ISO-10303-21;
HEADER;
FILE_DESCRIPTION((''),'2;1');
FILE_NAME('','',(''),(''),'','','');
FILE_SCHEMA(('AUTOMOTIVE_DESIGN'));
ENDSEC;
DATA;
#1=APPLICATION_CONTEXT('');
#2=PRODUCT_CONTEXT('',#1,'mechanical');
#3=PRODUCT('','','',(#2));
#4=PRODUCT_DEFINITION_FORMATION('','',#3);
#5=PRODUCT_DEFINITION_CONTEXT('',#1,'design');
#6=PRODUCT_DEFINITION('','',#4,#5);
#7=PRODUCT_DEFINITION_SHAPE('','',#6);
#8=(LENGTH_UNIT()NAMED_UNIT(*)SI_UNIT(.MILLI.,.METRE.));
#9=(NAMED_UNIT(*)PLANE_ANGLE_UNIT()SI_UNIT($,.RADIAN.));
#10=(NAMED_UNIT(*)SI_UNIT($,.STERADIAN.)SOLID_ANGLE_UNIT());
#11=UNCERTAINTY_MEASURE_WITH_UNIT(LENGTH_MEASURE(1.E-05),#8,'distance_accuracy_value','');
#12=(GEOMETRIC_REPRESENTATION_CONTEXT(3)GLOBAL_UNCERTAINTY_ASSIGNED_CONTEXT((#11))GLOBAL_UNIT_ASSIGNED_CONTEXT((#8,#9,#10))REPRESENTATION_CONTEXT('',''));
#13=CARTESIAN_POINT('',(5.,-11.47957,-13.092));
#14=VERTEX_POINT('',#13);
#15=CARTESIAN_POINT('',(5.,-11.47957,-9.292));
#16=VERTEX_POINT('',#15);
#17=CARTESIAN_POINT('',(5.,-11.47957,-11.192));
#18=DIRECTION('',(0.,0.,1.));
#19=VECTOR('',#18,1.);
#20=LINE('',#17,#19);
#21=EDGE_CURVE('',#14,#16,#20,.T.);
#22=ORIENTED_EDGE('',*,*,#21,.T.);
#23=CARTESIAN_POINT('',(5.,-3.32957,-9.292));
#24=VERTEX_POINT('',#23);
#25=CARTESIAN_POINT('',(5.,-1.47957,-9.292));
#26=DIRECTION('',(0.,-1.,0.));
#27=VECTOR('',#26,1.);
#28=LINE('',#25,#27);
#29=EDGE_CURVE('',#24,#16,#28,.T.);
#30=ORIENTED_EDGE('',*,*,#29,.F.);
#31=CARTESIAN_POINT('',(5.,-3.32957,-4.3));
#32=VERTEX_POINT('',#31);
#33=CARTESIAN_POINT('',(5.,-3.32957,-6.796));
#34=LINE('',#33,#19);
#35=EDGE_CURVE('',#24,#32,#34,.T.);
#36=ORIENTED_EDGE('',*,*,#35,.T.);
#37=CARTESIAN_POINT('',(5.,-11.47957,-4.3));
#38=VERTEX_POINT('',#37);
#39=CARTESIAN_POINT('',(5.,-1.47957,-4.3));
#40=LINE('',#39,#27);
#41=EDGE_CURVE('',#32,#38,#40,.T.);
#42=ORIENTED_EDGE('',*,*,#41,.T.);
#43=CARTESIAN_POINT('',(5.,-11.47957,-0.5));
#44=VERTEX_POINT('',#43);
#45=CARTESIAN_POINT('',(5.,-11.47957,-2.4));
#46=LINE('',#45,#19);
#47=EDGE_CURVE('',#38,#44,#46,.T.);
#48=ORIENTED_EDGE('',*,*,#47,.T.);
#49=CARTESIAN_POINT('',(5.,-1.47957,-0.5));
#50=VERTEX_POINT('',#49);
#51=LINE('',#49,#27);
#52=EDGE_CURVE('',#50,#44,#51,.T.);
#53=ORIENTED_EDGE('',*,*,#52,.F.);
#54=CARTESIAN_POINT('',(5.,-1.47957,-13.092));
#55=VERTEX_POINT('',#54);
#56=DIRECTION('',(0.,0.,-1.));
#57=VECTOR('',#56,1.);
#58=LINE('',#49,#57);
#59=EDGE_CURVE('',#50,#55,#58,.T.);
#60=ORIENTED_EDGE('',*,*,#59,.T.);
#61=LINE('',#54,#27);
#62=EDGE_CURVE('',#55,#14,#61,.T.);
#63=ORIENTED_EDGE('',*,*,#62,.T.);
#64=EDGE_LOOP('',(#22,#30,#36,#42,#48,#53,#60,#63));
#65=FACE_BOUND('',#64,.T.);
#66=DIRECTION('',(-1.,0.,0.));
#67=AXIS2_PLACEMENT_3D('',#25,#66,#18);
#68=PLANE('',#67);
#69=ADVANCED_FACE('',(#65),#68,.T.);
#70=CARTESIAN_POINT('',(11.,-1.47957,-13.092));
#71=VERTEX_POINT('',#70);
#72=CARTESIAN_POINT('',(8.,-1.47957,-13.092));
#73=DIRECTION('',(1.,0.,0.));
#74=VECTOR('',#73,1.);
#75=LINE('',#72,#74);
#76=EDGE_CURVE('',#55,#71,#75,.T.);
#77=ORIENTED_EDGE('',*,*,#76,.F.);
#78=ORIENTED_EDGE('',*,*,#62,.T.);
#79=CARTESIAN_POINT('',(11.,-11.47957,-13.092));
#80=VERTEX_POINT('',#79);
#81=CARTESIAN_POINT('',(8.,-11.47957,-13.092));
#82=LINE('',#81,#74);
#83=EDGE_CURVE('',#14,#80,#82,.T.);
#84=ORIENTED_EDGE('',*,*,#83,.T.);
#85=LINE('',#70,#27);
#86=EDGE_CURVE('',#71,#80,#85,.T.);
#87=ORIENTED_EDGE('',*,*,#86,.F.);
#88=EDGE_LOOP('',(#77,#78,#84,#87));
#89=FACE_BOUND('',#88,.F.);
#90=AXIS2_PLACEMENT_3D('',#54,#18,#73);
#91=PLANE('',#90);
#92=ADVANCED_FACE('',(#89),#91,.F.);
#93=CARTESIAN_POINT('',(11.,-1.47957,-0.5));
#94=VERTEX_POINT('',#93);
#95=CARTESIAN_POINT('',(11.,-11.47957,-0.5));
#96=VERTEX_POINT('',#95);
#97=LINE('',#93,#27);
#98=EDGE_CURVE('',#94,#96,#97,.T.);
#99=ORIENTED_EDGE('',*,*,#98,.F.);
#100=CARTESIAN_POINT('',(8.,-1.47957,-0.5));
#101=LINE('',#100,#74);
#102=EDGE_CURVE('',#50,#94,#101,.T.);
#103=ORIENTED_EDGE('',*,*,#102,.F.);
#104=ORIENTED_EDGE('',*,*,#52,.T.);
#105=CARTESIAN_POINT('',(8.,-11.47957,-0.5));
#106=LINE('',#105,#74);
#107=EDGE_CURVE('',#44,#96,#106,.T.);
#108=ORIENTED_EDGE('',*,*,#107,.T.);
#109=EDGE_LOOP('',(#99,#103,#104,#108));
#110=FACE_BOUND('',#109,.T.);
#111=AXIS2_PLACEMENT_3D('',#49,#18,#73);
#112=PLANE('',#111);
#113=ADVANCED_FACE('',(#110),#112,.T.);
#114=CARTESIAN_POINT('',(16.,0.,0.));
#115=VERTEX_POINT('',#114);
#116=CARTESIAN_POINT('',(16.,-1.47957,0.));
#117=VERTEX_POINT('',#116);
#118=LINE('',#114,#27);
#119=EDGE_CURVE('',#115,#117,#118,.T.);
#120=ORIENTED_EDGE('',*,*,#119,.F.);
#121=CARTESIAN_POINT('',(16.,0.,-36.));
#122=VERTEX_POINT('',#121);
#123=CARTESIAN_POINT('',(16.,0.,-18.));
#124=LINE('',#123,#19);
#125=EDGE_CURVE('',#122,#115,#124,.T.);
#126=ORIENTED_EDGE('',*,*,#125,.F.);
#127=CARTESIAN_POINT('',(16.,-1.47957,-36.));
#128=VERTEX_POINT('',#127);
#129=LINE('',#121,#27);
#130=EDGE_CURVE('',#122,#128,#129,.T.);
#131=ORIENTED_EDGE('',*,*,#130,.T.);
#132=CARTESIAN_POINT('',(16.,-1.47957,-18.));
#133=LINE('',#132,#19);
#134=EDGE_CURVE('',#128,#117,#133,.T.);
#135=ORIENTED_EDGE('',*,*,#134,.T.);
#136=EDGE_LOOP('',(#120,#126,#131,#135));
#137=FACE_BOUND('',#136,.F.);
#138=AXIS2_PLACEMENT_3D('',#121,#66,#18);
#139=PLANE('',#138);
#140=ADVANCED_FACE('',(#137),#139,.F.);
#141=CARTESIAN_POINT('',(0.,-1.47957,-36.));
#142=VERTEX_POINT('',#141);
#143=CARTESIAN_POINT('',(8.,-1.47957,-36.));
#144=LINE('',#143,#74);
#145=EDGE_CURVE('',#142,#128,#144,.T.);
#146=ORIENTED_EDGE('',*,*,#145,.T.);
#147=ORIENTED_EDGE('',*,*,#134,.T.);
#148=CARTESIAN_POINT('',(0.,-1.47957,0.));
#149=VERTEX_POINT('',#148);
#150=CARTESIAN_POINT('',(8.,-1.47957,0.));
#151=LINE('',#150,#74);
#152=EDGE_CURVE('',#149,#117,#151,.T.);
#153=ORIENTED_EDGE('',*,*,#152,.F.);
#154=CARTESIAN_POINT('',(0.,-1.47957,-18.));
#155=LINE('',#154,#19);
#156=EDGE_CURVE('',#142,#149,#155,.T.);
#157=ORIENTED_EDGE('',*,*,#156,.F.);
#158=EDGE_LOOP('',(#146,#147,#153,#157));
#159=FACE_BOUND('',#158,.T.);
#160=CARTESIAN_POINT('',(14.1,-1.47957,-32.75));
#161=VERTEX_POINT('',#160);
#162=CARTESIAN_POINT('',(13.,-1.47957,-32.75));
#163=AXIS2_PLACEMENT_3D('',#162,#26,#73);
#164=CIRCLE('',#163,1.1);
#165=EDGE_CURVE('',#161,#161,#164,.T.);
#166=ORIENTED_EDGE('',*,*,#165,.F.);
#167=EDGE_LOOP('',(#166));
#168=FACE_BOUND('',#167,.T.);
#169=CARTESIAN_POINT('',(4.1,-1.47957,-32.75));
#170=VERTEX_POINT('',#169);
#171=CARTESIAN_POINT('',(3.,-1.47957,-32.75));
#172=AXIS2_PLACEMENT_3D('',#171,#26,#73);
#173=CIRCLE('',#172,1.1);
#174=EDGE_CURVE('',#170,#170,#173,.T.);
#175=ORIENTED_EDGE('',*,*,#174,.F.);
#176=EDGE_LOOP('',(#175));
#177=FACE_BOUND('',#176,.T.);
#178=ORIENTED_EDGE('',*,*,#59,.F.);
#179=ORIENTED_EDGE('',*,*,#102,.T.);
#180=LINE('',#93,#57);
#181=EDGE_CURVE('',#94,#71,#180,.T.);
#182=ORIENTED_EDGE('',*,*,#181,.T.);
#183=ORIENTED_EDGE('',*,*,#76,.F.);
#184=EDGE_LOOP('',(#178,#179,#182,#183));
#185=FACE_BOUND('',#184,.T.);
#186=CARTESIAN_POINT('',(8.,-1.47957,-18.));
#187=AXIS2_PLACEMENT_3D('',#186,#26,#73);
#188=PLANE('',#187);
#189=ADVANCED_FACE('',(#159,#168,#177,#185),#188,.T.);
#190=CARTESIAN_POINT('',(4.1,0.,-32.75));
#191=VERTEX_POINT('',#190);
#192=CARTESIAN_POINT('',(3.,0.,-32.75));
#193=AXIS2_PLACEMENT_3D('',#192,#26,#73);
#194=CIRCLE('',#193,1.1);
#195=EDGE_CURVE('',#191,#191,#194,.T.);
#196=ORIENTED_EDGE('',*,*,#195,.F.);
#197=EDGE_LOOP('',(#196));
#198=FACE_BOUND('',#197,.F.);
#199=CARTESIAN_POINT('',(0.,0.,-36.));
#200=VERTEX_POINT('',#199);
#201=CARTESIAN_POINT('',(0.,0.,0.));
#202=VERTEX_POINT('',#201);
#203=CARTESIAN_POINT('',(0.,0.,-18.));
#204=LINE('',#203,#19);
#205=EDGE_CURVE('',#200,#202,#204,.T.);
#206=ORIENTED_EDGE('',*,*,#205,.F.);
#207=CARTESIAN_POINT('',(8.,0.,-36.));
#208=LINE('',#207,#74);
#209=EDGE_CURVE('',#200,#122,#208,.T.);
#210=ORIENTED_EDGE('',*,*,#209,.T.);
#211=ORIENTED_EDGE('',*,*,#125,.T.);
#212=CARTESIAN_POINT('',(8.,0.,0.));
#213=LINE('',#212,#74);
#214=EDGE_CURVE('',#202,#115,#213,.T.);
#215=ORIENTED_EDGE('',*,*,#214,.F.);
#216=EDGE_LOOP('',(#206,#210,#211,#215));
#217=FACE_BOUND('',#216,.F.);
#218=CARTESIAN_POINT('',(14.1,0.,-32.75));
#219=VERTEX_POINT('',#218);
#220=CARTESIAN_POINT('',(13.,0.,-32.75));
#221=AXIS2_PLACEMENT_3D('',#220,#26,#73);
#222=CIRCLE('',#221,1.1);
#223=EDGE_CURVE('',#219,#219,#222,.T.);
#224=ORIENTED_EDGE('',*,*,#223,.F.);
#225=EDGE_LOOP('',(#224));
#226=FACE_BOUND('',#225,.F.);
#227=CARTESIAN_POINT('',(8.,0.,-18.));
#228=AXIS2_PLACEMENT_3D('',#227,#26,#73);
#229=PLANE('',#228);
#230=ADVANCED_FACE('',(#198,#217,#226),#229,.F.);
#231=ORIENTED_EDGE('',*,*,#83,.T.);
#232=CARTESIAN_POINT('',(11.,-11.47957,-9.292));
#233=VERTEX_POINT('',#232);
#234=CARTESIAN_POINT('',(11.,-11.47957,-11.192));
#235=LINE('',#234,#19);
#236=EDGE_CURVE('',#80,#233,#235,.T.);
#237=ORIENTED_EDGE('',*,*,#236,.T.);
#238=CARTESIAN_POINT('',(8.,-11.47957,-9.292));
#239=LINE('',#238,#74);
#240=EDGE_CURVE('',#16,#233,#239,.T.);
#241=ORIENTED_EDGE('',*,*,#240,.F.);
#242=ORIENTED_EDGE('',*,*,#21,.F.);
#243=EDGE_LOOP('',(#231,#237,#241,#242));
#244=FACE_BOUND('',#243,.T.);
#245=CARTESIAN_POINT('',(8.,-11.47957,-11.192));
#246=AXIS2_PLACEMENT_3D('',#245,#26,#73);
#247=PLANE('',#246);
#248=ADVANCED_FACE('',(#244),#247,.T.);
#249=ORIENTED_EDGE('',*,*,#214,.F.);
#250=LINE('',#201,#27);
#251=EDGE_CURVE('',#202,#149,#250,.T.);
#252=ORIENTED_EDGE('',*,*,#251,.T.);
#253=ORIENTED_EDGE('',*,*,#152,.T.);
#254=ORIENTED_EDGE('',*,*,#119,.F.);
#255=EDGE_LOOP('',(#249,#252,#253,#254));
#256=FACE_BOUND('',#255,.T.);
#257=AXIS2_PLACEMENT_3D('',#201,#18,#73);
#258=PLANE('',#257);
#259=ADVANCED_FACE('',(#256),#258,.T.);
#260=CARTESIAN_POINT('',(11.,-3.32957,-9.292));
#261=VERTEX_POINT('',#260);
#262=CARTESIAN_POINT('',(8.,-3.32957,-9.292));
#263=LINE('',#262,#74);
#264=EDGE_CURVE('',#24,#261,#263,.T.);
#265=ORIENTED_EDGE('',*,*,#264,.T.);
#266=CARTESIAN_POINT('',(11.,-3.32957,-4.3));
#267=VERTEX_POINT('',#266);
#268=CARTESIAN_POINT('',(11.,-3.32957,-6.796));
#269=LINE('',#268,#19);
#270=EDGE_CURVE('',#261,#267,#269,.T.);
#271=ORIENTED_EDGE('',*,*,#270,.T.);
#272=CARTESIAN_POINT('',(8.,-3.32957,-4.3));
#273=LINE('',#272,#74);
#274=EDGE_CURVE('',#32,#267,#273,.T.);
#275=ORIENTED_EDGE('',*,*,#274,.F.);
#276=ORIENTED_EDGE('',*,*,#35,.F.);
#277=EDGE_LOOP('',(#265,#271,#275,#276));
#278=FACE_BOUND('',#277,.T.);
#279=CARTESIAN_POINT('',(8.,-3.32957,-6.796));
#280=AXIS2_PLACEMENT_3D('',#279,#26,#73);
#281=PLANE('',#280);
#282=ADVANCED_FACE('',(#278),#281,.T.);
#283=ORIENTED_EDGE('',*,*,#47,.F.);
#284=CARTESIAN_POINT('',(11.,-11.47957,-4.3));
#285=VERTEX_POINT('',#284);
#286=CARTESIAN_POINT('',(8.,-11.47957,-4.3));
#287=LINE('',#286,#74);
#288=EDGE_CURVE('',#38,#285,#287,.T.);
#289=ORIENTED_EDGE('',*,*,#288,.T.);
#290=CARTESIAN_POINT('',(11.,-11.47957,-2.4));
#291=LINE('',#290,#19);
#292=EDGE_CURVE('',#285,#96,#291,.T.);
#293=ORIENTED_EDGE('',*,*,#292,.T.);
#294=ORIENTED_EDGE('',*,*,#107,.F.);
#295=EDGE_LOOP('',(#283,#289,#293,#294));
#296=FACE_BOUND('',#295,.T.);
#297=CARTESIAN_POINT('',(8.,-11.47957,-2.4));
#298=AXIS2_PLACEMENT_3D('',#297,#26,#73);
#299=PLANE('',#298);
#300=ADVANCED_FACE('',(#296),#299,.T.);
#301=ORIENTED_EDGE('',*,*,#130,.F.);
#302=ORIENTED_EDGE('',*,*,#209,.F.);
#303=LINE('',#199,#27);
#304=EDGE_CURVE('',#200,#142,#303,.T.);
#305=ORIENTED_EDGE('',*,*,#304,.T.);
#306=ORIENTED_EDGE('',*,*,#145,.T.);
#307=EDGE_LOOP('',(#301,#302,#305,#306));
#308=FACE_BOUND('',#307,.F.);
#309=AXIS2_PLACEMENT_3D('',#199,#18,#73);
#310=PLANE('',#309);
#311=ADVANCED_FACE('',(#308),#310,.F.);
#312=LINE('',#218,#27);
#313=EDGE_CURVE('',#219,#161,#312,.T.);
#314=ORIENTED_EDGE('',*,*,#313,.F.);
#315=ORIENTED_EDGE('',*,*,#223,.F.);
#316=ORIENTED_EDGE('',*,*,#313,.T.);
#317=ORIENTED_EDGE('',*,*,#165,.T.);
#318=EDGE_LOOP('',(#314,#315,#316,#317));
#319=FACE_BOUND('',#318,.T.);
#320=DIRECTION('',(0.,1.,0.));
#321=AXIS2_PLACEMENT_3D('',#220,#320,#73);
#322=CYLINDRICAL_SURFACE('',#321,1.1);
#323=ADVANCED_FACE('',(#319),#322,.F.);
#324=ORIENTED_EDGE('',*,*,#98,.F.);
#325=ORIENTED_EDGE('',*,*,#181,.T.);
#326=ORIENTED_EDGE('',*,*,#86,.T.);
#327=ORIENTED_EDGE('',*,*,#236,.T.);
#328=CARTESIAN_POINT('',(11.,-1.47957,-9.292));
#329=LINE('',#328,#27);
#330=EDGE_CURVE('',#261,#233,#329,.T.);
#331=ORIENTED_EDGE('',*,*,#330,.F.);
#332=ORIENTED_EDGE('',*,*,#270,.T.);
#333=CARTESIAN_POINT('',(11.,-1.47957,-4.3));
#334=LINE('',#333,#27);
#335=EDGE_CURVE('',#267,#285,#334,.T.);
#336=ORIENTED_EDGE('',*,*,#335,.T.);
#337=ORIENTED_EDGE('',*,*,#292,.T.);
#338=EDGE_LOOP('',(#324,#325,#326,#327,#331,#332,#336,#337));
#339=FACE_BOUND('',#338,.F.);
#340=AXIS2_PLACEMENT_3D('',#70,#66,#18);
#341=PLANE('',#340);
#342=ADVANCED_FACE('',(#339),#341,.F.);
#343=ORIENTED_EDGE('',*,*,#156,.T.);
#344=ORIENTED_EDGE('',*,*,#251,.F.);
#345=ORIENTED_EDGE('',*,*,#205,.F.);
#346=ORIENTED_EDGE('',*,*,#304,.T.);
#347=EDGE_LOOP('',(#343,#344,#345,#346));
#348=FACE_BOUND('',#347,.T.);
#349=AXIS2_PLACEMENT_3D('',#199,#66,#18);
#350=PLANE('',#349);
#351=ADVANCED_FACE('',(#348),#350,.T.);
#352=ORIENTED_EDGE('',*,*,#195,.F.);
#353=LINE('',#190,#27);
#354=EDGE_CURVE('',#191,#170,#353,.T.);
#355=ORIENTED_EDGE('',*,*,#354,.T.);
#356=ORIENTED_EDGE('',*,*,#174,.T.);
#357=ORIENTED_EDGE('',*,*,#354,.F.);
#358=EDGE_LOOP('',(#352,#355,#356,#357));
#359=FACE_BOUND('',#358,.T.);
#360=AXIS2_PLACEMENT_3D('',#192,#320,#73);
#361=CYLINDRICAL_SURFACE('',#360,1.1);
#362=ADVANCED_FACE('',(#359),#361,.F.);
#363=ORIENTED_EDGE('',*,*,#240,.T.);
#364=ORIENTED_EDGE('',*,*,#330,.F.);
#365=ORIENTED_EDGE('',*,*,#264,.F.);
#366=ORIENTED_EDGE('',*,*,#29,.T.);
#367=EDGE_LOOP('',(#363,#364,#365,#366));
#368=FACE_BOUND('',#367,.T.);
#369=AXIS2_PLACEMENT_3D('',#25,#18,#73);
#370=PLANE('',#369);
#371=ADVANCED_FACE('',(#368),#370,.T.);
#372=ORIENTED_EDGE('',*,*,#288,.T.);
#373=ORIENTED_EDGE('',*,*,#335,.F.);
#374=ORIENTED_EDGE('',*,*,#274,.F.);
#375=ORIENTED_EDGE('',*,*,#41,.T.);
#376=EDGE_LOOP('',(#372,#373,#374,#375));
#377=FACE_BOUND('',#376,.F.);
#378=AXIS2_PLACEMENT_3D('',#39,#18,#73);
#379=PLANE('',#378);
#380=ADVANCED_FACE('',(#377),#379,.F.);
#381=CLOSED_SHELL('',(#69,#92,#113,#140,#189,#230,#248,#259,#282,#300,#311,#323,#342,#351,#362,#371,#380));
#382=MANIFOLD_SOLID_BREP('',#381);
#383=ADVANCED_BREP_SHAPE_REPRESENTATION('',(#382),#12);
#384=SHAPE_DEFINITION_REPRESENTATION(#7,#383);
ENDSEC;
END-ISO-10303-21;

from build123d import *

# Parameters (mm, degrees)
F0_W     = 16
F0_H     = 36
F0_R     = 1.1
F1_DEPTH = 1.47957
F3_W     = 6
F3_H     = 3.8
F4_DEPTH = 10
F3_H_2   = 4.992
F5_DEPTH = 1.85


with BuildPart() as f1:
    # F0 (on Front) → F1 (new body)
    with BuildSketch(Plane.XZ):
        with Locations((8, -18)):
            Rectangle(F0_W, F0_H)
        with Locations((3, -32.75)):
            Circle(F0_R, mode=Mode.SUBTRACT)
        with Locations((13, -32.75)):
            Circle(F0_R, mode=Mode.SUBTRACT)
    extrude(amount=F1_DEPTH)

    # F3 (on face) → F4 (join)
    with BuildSketch(Plane.XZ.offset(1.47957)):
        with Locations((8, -11.192)):
            Rectangle(F3_W, F3_H)
        with Locations((8, -2.4)):
            Rectangle(F3_W, F3_H)
    extrude(amount=F4_DEPTH)

    # F3 (on face) → F5 (join)
    with BuildSketch(Plane.XZ.offset(1.47957)):
        with Locations((8, -6.796)):
            Rectangle(F3_W, F3_H_2)
    extrude(amount=F5_DEPTH)


solid = f1.part
